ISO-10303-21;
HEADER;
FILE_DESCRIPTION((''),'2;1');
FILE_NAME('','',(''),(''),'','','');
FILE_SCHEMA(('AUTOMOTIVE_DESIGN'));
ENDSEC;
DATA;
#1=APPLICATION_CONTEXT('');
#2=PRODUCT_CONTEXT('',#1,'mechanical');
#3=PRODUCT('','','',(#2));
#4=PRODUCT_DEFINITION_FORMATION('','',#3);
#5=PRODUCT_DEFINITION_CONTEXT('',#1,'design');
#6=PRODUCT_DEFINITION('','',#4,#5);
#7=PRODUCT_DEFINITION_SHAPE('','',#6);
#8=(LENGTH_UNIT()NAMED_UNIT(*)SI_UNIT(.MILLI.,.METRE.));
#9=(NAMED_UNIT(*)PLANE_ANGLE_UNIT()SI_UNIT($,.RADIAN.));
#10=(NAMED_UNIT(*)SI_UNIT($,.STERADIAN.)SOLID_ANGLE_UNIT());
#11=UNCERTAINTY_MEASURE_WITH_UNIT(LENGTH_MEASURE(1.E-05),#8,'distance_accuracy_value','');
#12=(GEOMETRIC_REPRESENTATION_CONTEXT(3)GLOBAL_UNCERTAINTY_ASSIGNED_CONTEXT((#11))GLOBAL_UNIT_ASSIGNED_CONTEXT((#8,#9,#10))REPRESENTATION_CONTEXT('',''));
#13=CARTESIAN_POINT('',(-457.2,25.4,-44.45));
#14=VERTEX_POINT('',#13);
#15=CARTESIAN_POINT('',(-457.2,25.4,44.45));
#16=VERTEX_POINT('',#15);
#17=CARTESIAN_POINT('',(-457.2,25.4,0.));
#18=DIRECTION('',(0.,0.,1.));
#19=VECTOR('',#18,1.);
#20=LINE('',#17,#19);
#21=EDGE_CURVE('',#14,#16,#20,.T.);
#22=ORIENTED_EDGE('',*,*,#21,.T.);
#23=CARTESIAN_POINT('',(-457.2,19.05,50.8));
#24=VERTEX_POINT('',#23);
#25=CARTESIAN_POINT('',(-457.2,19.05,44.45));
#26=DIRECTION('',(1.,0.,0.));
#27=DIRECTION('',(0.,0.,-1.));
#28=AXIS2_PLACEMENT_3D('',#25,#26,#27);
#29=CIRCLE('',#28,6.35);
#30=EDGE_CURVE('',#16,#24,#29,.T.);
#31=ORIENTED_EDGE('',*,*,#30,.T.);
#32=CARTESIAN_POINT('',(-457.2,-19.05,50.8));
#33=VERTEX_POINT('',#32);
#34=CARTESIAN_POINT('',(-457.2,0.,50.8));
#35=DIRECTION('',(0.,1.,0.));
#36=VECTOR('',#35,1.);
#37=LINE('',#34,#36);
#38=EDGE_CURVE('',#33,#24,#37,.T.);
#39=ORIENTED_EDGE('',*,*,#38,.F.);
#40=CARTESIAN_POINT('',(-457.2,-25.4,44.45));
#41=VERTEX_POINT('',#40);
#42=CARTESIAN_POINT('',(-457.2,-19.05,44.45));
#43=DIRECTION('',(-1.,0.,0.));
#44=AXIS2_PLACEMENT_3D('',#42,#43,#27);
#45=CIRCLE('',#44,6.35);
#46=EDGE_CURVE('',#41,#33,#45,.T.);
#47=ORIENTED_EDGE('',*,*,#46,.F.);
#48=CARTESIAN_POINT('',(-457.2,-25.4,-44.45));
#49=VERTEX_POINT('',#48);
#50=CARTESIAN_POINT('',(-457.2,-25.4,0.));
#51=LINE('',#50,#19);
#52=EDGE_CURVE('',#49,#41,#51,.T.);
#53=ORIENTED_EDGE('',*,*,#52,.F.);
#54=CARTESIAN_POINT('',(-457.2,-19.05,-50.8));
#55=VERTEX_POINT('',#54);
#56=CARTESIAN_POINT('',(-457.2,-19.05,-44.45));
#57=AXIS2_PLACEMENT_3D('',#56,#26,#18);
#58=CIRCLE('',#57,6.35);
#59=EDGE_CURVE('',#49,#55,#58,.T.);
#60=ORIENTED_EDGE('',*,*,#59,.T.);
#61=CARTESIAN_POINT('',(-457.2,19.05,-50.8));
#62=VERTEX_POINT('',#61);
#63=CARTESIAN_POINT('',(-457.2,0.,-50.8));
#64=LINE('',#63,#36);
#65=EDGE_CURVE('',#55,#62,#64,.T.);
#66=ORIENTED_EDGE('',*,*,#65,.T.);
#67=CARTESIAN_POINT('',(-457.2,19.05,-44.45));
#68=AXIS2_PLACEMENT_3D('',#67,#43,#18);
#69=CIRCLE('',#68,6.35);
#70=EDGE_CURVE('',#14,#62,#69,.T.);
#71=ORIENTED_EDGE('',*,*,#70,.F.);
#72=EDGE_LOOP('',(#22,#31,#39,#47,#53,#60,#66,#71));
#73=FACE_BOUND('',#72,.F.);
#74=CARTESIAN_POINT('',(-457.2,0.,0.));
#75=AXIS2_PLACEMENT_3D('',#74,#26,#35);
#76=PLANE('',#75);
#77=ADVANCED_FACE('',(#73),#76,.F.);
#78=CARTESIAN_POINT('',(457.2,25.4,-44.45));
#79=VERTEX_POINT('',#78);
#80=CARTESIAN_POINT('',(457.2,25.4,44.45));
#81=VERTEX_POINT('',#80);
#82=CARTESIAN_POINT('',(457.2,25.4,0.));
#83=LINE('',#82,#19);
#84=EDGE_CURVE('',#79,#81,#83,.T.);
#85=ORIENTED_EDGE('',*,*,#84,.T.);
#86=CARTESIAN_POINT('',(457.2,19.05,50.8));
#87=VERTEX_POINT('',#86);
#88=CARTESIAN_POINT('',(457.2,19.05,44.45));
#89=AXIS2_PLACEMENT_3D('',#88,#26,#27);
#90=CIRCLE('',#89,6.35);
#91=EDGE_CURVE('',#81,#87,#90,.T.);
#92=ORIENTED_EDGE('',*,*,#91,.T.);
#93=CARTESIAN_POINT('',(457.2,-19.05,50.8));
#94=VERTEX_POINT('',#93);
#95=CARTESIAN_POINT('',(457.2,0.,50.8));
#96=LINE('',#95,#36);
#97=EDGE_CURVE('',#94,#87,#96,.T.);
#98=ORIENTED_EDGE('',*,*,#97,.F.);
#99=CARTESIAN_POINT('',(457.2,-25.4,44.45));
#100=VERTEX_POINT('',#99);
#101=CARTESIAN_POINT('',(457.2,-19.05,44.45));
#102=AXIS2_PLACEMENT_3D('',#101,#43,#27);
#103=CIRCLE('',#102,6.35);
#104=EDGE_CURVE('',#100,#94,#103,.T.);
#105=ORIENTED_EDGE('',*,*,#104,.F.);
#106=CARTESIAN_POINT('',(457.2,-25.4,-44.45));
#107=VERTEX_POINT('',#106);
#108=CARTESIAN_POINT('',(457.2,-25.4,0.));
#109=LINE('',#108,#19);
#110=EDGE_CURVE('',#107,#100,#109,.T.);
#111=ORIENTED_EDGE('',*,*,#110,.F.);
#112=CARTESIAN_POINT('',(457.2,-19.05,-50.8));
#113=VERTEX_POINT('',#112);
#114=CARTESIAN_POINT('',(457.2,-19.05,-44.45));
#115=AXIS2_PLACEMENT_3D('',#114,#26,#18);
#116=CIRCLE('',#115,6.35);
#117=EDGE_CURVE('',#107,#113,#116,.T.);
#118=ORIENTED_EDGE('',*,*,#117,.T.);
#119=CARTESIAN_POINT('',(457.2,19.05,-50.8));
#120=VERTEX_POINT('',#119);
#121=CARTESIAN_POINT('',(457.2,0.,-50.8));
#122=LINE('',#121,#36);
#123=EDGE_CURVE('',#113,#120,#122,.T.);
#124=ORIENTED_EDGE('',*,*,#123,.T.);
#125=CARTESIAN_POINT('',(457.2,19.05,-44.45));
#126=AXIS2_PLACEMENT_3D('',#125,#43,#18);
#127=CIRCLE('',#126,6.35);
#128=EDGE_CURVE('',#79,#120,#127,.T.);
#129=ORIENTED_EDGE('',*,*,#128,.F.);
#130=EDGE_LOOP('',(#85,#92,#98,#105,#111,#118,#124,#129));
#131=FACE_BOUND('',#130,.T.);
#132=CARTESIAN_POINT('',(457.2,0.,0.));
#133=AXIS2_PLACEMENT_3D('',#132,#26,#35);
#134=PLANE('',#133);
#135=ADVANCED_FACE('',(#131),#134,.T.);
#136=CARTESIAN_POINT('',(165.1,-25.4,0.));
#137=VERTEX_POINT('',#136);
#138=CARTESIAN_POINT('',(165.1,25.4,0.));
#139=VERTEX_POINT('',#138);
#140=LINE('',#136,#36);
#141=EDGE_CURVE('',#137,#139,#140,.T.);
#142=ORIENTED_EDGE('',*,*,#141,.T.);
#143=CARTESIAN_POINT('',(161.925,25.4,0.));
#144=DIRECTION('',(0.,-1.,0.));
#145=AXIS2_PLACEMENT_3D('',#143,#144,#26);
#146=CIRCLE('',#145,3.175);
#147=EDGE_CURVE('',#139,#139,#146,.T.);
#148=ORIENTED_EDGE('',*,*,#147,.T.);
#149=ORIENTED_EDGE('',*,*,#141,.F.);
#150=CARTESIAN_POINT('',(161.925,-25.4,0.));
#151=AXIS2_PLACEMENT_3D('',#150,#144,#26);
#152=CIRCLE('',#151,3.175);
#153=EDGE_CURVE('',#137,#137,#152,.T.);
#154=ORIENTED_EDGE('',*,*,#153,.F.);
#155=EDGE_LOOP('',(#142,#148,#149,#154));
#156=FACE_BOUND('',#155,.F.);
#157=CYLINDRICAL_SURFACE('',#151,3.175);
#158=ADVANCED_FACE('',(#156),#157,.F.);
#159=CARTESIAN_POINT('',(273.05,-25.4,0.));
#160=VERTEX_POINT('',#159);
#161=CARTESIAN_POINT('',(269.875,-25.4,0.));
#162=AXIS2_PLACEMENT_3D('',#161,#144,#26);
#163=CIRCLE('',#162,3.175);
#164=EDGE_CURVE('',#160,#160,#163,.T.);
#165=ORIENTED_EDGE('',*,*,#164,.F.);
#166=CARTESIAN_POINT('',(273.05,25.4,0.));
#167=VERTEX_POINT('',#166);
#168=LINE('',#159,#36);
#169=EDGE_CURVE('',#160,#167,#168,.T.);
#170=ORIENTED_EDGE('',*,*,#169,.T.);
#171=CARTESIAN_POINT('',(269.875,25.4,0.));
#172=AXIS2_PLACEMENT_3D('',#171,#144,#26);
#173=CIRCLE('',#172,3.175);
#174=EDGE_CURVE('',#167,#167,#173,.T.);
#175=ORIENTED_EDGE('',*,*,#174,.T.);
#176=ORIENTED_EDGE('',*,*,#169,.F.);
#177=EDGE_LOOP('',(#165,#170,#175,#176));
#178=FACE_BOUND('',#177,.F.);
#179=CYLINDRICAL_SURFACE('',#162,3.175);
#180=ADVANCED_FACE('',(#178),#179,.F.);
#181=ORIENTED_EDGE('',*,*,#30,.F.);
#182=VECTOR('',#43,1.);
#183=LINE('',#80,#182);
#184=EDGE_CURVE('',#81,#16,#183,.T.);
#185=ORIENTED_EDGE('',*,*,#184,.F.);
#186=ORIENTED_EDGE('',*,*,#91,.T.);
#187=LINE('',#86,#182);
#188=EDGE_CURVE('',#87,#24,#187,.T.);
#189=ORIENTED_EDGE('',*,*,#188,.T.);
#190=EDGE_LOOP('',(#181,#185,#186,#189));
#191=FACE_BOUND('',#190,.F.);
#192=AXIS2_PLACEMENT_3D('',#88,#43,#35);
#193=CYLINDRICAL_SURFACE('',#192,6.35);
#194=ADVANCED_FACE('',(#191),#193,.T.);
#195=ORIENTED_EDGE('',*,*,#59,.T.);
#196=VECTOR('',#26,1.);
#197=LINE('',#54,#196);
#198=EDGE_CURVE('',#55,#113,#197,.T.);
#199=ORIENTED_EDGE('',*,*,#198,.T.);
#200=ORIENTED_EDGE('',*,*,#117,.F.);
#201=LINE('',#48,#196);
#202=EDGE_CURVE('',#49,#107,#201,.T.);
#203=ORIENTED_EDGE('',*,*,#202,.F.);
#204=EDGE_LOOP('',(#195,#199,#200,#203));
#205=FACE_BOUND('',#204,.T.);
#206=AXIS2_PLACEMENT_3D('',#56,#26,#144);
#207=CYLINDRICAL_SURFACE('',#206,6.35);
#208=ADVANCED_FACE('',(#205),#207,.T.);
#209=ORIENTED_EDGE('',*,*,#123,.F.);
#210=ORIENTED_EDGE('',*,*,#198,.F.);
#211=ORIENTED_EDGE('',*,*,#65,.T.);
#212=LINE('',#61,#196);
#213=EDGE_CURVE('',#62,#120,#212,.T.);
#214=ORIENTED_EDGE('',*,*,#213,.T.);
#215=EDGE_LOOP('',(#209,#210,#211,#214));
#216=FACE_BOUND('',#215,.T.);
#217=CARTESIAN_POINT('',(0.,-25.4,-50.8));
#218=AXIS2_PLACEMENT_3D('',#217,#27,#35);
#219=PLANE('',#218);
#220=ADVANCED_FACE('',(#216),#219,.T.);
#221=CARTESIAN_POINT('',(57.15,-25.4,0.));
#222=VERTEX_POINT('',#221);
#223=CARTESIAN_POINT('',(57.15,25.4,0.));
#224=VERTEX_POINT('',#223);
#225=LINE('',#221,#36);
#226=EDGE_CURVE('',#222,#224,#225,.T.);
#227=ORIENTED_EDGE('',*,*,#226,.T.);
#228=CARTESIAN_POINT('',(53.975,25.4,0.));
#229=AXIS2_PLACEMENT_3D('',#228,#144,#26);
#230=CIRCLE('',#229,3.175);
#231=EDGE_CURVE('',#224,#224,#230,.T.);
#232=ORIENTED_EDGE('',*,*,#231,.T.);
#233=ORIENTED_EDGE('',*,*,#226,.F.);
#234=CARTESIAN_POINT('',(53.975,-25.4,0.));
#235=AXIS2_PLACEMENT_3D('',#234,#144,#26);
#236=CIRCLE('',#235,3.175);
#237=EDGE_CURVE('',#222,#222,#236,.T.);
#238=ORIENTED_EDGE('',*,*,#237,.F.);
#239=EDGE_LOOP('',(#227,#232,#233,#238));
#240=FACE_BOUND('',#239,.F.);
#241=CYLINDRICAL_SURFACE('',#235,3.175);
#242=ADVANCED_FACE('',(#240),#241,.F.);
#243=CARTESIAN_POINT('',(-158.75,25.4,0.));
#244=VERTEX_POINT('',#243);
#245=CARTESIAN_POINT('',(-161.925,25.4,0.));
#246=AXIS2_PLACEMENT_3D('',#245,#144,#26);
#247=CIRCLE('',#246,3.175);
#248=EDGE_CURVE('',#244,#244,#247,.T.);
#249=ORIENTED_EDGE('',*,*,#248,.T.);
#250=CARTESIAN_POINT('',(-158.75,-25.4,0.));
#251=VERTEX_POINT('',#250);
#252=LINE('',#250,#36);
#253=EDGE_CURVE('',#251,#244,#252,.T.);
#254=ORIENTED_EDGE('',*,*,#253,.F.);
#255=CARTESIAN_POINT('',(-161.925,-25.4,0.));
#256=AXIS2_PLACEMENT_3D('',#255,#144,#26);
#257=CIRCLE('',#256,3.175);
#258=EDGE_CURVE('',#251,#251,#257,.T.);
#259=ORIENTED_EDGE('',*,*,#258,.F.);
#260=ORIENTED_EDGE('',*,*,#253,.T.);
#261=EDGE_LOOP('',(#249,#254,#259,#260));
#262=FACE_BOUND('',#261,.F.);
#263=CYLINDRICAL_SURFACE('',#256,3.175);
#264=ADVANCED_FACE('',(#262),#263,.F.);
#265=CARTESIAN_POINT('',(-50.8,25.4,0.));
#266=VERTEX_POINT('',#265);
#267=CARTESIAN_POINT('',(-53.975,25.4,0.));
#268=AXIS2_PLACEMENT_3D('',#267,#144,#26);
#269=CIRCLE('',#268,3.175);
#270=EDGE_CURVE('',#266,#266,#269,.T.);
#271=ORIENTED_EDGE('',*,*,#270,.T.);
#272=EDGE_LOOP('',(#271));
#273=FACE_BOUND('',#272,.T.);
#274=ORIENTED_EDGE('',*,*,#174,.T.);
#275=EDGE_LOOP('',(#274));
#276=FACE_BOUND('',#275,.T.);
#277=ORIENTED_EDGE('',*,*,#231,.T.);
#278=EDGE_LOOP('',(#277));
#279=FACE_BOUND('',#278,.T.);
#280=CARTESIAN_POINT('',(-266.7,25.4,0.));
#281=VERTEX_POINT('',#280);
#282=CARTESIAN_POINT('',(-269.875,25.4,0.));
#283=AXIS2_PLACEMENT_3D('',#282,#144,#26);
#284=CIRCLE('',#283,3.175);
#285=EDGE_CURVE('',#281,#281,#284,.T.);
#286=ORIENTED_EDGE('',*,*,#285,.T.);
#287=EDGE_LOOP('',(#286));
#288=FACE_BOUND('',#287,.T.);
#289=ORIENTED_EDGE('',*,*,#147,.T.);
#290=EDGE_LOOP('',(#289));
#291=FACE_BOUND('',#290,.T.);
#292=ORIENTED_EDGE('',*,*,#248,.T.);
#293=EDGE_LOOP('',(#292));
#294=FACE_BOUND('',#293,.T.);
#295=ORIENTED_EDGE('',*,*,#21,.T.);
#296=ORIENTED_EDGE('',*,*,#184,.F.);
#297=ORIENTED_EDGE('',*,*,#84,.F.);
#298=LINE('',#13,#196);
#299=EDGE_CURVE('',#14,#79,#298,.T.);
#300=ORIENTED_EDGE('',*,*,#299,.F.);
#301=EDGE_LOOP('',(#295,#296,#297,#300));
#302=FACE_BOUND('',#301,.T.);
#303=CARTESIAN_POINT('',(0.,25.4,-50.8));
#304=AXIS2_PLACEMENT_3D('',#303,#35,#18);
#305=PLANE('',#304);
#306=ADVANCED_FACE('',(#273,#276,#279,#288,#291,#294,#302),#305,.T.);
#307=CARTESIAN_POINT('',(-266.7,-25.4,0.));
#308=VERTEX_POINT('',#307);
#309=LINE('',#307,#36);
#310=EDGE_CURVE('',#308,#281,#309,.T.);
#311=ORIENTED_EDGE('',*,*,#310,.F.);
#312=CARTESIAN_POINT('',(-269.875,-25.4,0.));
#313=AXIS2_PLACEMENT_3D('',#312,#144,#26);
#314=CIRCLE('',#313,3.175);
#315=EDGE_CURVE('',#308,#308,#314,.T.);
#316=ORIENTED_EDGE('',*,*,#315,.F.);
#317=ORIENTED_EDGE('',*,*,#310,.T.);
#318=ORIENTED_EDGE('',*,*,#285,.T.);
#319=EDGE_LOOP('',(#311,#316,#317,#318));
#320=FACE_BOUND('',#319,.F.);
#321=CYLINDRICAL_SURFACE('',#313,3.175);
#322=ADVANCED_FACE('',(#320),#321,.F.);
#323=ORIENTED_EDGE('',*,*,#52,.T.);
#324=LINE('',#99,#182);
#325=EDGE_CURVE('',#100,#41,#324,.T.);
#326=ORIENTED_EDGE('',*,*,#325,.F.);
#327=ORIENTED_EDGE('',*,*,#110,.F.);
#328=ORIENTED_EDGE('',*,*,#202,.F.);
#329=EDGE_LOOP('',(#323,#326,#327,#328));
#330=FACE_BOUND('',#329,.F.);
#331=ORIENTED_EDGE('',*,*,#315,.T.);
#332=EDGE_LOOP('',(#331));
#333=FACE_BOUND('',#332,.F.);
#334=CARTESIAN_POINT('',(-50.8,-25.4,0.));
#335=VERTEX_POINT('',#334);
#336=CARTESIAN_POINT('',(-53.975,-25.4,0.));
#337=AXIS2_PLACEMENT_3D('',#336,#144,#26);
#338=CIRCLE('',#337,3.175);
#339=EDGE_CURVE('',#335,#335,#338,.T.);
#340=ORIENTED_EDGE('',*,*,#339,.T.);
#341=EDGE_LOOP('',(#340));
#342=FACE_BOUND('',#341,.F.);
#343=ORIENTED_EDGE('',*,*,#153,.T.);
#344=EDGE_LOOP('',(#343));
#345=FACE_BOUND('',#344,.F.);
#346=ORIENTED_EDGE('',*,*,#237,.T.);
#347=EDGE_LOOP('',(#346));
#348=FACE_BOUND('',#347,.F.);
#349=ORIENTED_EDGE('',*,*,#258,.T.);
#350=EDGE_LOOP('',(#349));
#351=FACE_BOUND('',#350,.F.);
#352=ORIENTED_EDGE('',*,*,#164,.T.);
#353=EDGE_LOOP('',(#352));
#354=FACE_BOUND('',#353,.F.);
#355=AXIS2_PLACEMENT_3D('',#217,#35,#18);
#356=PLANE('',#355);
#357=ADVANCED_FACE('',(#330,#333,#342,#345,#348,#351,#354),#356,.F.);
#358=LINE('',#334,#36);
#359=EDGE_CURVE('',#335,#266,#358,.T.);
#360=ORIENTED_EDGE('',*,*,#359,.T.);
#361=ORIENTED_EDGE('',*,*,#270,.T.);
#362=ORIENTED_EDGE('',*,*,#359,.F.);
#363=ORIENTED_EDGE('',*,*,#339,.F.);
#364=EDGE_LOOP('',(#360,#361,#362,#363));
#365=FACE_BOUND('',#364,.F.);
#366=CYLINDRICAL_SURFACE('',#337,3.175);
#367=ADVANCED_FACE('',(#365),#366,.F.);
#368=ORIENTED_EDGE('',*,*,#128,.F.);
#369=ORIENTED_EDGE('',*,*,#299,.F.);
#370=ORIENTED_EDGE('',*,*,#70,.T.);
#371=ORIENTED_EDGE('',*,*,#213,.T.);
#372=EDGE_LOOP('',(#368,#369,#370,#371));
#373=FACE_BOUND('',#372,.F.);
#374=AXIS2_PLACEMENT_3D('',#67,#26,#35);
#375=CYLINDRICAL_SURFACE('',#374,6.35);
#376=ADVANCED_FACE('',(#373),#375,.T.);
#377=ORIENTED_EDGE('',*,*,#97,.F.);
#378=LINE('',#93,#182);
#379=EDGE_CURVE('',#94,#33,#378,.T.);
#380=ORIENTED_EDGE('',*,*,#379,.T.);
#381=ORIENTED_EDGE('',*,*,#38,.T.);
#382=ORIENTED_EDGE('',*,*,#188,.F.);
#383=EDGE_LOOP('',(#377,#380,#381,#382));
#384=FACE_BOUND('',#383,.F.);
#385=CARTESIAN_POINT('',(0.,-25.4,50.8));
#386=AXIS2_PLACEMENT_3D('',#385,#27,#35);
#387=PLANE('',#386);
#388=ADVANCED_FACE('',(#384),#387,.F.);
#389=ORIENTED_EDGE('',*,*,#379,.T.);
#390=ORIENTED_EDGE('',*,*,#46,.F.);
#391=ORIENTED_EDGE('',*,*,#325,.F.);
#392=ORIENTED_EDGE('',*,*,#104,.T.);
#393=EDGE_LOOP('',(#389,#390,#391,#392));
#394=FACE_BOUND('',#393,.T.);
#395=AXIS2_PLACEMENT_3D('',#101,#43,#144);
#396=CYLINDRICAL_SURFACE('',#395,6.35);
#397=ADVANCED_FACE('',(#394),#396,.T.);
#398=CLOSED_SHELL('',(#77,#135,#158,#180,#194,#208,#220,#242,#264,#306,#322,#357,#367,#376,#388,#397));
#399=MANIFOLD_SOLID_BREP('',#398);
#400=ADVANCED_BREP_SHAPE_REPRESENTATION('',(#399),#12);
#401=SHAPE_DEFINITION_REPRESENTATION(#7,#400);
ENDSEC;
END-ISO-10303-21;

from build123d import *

# Parameters (mm, degrees)
F0_W     = 50.8
F0_H     = 101.6
F1_DEPTH = 457.2
F2_R     = 6.35
F3_R     = 3.175
F4_DEPTH = 50.8


with BuildPart() as f1:
    # F0 (on Right) → F1 (new body, symmetric)
    with BuildSketch(Plane.YZ):
        Rectangle(F0_W, F0_H)
    extrude(amount=F1_DEPTH, both=True)

    # F2
    f2_edges = [f1.edges().sort_by_distance(p)[0] for p in [
        (0, -25.4, -50.8),
        (0, 25.4, -50.8),
        (0, -25.4, 50.8),
        (0, 25.4, 50.8),
    ]]
    fillet(f2_edges, radius=F2_R)

    # F3 (on face) → F4 (cut, through all)
    with BuildSketch(Plane.XZ.offset(25.4)):
        with Locations((-269.875, 0)):
            Circle(F3_R)
        with Locations((-161.925, 0)):
            Circle(F3_R)
        with Locations((-53.975, 0)):
            Circle(F3_R)
        with Locations((53.975, 0)):
            Circle(F3_R)
        with Locations((161.925, 0)):
            Circle(F3_R)
        with Locations((269.875, 0)):
            Circle(F3_R)
    extrude(amount=-F4_DEPTH, mode=Mode.SUBTRACT)


solid = f1.part
